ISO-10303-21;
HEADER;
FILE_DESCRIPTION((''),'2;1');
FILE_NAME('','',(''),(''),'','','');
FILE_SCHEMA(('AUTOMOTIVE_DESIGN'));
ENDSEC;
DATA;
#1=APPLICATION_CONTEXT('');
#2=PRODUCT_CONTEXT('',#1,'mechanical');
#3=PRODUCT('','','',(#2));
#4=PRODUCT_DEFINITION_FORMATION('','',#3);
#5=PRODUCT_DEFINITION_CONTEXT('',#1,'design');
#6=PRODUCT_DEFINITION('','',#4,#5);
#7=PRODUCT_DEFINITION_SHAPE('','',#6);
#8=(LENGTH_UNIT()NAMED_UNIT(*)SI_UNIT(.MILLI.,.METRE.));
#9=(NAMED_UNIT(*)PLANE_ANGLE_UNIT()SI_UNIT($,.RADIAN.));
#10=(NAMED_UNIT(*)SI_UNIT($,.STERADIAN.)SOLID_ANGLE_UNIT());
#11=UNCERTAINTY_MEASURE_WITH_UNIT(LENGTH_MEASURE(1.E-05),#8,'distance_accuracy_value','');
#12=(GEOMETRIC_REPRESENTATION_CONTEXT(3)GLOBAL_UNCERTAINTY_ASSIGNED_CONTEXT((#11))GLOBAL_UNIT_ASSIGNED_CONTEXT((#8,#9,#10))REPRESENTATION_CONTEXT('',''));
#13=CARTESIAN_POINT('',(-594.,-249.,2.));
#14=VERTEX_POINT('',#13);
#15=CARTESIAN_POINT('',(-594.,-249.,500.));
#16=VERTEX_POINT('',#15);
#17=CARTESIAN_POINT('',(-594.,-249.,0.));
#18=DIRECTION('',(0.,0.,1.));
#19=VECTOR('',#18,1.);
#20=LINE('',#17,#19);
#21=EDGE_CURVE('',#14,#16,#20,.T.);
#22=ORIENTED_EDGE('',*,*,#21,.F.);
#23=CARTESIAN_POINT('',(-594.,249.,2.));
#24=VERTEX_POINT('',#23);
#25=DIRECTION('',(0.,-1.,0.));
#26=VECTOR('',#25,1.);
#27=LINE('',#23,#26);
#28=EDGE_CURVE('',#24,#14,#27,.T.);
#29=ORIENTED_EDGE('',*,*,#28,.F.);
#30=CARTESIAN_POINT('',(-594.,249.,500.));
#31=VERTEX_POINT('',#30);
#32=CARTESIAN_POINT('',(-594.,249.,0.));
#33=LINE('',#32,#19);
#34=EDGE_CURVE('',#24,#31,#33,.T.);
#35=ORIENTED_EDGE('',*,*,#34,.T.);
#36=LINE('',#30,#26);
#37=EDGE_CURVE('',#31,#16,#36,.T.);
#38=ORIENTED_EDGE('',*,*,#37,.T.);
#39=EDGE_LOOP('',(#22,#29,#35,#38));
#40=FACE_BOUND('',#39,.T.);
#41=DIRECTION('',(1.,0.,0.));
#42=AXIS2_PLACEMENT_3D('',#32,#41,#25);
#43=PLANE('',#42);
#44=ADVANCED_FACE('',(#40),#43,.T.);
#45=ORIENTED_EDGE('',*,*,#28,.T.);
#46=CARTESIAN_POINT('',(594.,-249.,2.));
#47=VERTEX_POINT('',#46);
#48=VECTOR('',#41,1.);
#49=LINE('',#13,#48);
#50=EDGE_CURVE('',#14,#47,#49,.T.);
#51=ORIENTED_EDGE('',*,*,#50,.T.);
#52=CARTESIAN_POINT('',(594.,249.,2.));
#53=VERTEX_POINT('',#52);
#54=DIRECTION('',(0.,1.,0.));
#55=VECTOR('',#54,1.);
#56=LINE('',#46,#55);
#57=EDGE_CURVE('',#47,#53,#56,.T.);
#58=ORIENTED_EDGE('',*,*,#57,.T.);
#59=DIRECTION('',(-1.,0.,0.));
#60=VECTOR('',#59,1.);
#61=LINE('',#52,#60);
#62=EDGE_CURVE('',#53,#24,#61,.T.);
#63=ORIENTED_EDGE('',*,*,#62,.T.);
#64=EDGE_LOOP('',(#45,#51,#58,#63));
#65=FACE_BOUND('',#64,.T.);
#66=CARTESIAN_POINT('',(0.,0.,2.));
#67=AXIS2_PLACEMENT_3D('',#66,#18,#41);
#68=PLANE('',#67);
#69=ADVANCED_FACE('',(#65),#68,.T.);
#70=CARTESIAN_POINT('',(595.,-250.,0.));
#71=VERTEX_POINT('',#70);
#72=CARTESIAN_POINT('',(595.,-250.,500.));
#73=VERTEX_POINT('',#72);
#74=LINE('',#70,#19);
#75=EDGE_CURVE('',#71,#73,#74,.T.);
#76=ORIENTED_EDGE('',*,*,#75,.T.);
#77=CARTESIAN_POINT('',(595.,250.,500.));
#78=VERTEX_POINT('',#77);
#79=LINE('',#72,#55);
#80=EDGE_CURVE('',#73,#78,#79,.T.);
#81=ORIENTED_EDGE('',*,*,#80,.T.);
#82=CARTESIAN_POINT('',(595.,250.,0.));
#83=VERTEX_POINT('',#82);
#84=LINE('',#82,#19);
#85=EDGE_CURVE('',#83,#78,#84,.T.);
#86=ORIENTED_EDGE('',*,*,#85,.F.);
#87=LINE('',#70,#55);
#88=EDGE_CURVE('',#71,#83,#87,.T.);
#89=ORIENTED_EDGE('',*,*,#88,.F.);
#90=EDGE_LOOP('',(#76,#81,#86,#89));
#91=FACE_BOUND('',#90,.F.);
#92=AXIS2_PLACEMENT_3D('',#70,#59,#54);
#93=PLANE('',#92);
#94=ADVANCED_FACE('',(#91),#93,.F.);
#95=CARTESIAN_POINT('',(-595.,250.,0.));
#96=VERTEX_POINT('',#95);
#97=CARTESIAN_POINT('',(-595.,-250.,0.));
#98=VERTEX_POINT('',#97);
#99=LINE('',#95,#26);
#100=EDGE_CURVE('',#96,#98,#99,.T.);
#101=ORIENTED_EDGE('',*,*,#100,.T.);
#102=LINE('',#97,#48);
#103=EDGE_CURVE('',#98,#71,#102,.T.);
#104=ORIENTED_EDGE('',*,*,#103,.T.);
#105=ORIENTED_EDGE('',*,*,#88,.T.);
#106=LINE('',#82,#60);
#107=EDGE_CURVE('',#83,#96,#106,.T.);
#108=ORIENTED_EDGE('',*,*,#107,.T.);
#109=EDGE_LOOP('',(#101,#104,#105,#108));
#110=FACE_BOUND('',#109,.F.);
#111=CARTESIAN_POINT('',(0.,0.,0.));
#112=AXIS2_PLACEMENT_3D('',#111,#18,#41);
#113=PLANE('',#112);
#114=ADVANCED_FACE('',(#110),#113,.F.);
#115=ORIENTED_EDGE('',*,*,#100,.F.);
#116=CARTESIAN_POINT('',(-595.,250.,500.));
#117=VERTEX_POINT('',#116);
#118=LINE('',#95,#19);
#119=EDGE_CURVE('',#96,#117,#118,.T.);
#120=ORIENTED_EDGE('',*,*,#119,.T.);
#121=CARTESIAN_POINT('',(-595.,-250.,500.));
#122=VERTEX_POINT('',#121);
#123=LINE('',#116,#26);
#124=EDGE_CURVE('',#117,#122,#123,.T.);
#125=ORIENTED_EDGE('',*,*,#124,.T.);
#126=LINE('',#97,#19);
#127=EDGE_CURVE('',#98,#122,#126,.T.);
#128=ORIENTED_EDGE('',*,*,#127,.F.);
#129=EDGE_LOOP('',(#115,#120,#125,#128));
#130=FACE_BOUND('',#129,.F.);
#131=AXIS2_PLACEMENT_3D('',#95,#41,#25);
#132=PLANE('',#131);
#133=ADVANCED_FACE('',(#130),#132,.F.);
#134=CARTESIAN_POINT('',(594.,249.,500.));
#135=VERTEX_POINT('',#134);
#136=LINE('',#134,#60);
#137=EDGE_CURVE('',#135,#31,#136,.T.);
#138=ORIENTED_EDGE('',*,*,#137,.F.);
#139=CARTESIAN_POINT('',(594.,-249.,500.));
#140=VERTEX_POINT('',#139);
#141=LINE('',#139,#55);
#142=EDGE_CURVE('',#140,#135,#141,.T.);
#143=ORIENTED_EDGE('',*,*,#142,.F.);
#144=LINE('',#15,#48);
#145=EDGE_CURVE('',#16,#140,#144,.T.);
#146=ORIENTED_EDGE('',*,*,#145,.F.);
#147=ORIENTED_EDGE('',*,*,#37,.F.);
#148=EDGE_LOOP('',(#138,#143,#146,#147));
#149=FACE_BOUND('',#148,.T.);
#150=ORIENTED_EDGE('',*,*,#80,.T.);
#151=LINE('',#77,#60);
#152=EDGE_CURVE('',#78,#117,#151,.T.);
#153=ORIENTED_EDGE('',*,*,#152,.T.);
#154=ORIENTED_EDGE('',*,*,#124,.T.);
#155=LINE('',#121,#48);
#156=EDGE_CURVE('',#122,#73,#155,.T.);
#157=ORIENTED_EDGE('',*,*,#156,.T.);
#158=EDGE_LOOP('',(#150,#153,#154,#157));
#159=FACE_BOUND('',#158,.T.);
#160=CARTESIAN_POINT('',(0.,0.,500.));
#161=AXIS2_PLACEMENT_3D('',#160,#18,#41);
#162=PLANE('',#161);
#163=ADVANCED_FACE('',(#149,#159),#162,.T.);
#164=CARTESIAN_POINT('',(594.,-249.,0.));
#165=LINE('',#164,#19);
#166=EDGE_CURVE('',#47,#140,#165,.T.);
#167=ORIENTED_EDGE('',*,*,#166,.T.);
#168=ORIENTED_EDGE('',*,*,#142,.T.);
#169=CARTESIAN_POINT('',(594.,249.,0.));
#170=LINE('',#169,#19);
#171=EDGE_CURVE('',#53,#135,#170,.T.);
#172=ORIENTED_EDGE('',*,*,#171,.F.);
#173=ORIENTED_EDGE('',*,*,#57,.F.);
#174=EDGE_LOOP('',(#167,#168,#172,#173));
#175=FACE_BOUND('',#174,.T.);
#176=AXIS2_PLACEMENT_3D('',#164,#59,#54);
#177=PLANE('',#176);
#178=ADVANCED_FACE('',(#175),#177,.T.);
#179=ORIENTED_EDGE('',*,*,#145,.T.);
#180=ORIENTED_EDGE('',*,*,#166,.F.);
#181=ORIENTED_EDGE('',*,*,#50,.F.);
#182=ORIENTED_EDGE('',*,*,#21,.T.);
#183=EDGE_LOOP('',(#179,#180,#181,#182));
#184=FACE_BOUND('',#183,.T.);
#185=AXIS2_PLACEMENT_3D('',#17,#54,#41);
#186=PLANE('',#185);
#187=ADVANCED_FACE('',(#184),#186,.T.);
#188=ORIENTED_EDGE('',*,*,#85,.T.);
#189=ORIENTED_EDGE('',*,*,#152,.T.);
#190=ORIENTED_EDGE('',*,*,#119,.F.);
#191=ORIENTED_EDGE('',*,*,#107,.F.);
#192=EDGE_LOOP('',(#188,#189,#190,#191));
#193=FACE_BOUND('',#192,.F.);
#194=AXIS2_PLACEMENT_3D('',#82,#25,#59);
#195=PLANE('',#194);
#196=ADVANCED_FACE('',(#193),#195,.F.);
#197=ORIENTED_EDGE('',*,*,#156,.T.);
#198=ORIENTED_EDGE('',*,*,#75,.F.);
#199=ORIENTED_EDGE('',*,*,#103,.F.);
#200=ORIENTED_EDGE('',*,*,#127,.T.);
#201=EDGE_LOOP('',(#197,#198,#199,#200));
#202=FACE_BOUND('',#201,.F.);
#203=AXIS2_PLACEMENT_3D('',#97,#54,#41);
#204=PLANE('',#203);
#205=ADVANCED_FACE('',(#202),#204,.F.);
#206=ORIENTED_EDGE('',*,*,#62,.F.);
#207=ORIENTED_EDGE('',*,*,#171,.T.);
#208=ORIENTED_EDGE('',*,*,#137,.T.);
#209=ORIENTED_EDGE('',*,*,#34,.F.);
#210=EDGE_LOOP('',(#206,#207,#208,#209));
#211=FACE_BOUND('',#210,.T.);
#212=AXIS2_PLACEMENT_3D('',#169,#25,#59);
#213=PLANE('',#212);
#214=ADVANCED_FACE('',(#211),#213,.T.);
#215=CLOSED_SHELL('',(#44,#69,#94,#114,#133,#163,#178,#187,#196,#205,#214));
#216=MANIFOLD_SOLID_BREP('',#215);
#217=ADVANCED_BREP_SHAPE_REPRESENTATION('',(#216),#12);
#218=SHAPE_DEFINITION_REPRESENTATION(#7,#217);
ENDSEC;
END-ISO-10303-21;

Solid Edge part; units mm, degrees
sketch "Sketch1" plane through (0, 0, 0) normal (0, 0, 1) x (1, 0, 0)
  line L0 (594, 249) -> (-594, 249)
  line L1 (-594, 249) -> (-594, -249)
  line L2 (-594, -249) -> (594, -249)
  line L3 (594, -249) -> (594, 249)
  line L4 (595, 250) -> (-595, 250)
  line L5 (-595, 250) -> (-595, -250)
  line L6 (-595, -250) -> (595, -250)
  line L7 (595, -250) -> (595, 250)
extrude "Protrusion1" add sketch "Sketch1" along normal blind 500
sketch "Sketch2" plane through (0, 0, 0) normal (0, 0, 1) x (1, 0, 0)
  line L0 (-594, -249) -> (594, -249)
  line L1 (594, -249) -> (594, 249)
  line L2 (594, 249) -> (-594, 249)
  line L3 (-594, 249) -> (-594, -249)
extrude "ExtrudedProtrusion_2" add sketch "Sketch2" along normal blind 2
properties material "Acrylic Plastic (extra strong)"
